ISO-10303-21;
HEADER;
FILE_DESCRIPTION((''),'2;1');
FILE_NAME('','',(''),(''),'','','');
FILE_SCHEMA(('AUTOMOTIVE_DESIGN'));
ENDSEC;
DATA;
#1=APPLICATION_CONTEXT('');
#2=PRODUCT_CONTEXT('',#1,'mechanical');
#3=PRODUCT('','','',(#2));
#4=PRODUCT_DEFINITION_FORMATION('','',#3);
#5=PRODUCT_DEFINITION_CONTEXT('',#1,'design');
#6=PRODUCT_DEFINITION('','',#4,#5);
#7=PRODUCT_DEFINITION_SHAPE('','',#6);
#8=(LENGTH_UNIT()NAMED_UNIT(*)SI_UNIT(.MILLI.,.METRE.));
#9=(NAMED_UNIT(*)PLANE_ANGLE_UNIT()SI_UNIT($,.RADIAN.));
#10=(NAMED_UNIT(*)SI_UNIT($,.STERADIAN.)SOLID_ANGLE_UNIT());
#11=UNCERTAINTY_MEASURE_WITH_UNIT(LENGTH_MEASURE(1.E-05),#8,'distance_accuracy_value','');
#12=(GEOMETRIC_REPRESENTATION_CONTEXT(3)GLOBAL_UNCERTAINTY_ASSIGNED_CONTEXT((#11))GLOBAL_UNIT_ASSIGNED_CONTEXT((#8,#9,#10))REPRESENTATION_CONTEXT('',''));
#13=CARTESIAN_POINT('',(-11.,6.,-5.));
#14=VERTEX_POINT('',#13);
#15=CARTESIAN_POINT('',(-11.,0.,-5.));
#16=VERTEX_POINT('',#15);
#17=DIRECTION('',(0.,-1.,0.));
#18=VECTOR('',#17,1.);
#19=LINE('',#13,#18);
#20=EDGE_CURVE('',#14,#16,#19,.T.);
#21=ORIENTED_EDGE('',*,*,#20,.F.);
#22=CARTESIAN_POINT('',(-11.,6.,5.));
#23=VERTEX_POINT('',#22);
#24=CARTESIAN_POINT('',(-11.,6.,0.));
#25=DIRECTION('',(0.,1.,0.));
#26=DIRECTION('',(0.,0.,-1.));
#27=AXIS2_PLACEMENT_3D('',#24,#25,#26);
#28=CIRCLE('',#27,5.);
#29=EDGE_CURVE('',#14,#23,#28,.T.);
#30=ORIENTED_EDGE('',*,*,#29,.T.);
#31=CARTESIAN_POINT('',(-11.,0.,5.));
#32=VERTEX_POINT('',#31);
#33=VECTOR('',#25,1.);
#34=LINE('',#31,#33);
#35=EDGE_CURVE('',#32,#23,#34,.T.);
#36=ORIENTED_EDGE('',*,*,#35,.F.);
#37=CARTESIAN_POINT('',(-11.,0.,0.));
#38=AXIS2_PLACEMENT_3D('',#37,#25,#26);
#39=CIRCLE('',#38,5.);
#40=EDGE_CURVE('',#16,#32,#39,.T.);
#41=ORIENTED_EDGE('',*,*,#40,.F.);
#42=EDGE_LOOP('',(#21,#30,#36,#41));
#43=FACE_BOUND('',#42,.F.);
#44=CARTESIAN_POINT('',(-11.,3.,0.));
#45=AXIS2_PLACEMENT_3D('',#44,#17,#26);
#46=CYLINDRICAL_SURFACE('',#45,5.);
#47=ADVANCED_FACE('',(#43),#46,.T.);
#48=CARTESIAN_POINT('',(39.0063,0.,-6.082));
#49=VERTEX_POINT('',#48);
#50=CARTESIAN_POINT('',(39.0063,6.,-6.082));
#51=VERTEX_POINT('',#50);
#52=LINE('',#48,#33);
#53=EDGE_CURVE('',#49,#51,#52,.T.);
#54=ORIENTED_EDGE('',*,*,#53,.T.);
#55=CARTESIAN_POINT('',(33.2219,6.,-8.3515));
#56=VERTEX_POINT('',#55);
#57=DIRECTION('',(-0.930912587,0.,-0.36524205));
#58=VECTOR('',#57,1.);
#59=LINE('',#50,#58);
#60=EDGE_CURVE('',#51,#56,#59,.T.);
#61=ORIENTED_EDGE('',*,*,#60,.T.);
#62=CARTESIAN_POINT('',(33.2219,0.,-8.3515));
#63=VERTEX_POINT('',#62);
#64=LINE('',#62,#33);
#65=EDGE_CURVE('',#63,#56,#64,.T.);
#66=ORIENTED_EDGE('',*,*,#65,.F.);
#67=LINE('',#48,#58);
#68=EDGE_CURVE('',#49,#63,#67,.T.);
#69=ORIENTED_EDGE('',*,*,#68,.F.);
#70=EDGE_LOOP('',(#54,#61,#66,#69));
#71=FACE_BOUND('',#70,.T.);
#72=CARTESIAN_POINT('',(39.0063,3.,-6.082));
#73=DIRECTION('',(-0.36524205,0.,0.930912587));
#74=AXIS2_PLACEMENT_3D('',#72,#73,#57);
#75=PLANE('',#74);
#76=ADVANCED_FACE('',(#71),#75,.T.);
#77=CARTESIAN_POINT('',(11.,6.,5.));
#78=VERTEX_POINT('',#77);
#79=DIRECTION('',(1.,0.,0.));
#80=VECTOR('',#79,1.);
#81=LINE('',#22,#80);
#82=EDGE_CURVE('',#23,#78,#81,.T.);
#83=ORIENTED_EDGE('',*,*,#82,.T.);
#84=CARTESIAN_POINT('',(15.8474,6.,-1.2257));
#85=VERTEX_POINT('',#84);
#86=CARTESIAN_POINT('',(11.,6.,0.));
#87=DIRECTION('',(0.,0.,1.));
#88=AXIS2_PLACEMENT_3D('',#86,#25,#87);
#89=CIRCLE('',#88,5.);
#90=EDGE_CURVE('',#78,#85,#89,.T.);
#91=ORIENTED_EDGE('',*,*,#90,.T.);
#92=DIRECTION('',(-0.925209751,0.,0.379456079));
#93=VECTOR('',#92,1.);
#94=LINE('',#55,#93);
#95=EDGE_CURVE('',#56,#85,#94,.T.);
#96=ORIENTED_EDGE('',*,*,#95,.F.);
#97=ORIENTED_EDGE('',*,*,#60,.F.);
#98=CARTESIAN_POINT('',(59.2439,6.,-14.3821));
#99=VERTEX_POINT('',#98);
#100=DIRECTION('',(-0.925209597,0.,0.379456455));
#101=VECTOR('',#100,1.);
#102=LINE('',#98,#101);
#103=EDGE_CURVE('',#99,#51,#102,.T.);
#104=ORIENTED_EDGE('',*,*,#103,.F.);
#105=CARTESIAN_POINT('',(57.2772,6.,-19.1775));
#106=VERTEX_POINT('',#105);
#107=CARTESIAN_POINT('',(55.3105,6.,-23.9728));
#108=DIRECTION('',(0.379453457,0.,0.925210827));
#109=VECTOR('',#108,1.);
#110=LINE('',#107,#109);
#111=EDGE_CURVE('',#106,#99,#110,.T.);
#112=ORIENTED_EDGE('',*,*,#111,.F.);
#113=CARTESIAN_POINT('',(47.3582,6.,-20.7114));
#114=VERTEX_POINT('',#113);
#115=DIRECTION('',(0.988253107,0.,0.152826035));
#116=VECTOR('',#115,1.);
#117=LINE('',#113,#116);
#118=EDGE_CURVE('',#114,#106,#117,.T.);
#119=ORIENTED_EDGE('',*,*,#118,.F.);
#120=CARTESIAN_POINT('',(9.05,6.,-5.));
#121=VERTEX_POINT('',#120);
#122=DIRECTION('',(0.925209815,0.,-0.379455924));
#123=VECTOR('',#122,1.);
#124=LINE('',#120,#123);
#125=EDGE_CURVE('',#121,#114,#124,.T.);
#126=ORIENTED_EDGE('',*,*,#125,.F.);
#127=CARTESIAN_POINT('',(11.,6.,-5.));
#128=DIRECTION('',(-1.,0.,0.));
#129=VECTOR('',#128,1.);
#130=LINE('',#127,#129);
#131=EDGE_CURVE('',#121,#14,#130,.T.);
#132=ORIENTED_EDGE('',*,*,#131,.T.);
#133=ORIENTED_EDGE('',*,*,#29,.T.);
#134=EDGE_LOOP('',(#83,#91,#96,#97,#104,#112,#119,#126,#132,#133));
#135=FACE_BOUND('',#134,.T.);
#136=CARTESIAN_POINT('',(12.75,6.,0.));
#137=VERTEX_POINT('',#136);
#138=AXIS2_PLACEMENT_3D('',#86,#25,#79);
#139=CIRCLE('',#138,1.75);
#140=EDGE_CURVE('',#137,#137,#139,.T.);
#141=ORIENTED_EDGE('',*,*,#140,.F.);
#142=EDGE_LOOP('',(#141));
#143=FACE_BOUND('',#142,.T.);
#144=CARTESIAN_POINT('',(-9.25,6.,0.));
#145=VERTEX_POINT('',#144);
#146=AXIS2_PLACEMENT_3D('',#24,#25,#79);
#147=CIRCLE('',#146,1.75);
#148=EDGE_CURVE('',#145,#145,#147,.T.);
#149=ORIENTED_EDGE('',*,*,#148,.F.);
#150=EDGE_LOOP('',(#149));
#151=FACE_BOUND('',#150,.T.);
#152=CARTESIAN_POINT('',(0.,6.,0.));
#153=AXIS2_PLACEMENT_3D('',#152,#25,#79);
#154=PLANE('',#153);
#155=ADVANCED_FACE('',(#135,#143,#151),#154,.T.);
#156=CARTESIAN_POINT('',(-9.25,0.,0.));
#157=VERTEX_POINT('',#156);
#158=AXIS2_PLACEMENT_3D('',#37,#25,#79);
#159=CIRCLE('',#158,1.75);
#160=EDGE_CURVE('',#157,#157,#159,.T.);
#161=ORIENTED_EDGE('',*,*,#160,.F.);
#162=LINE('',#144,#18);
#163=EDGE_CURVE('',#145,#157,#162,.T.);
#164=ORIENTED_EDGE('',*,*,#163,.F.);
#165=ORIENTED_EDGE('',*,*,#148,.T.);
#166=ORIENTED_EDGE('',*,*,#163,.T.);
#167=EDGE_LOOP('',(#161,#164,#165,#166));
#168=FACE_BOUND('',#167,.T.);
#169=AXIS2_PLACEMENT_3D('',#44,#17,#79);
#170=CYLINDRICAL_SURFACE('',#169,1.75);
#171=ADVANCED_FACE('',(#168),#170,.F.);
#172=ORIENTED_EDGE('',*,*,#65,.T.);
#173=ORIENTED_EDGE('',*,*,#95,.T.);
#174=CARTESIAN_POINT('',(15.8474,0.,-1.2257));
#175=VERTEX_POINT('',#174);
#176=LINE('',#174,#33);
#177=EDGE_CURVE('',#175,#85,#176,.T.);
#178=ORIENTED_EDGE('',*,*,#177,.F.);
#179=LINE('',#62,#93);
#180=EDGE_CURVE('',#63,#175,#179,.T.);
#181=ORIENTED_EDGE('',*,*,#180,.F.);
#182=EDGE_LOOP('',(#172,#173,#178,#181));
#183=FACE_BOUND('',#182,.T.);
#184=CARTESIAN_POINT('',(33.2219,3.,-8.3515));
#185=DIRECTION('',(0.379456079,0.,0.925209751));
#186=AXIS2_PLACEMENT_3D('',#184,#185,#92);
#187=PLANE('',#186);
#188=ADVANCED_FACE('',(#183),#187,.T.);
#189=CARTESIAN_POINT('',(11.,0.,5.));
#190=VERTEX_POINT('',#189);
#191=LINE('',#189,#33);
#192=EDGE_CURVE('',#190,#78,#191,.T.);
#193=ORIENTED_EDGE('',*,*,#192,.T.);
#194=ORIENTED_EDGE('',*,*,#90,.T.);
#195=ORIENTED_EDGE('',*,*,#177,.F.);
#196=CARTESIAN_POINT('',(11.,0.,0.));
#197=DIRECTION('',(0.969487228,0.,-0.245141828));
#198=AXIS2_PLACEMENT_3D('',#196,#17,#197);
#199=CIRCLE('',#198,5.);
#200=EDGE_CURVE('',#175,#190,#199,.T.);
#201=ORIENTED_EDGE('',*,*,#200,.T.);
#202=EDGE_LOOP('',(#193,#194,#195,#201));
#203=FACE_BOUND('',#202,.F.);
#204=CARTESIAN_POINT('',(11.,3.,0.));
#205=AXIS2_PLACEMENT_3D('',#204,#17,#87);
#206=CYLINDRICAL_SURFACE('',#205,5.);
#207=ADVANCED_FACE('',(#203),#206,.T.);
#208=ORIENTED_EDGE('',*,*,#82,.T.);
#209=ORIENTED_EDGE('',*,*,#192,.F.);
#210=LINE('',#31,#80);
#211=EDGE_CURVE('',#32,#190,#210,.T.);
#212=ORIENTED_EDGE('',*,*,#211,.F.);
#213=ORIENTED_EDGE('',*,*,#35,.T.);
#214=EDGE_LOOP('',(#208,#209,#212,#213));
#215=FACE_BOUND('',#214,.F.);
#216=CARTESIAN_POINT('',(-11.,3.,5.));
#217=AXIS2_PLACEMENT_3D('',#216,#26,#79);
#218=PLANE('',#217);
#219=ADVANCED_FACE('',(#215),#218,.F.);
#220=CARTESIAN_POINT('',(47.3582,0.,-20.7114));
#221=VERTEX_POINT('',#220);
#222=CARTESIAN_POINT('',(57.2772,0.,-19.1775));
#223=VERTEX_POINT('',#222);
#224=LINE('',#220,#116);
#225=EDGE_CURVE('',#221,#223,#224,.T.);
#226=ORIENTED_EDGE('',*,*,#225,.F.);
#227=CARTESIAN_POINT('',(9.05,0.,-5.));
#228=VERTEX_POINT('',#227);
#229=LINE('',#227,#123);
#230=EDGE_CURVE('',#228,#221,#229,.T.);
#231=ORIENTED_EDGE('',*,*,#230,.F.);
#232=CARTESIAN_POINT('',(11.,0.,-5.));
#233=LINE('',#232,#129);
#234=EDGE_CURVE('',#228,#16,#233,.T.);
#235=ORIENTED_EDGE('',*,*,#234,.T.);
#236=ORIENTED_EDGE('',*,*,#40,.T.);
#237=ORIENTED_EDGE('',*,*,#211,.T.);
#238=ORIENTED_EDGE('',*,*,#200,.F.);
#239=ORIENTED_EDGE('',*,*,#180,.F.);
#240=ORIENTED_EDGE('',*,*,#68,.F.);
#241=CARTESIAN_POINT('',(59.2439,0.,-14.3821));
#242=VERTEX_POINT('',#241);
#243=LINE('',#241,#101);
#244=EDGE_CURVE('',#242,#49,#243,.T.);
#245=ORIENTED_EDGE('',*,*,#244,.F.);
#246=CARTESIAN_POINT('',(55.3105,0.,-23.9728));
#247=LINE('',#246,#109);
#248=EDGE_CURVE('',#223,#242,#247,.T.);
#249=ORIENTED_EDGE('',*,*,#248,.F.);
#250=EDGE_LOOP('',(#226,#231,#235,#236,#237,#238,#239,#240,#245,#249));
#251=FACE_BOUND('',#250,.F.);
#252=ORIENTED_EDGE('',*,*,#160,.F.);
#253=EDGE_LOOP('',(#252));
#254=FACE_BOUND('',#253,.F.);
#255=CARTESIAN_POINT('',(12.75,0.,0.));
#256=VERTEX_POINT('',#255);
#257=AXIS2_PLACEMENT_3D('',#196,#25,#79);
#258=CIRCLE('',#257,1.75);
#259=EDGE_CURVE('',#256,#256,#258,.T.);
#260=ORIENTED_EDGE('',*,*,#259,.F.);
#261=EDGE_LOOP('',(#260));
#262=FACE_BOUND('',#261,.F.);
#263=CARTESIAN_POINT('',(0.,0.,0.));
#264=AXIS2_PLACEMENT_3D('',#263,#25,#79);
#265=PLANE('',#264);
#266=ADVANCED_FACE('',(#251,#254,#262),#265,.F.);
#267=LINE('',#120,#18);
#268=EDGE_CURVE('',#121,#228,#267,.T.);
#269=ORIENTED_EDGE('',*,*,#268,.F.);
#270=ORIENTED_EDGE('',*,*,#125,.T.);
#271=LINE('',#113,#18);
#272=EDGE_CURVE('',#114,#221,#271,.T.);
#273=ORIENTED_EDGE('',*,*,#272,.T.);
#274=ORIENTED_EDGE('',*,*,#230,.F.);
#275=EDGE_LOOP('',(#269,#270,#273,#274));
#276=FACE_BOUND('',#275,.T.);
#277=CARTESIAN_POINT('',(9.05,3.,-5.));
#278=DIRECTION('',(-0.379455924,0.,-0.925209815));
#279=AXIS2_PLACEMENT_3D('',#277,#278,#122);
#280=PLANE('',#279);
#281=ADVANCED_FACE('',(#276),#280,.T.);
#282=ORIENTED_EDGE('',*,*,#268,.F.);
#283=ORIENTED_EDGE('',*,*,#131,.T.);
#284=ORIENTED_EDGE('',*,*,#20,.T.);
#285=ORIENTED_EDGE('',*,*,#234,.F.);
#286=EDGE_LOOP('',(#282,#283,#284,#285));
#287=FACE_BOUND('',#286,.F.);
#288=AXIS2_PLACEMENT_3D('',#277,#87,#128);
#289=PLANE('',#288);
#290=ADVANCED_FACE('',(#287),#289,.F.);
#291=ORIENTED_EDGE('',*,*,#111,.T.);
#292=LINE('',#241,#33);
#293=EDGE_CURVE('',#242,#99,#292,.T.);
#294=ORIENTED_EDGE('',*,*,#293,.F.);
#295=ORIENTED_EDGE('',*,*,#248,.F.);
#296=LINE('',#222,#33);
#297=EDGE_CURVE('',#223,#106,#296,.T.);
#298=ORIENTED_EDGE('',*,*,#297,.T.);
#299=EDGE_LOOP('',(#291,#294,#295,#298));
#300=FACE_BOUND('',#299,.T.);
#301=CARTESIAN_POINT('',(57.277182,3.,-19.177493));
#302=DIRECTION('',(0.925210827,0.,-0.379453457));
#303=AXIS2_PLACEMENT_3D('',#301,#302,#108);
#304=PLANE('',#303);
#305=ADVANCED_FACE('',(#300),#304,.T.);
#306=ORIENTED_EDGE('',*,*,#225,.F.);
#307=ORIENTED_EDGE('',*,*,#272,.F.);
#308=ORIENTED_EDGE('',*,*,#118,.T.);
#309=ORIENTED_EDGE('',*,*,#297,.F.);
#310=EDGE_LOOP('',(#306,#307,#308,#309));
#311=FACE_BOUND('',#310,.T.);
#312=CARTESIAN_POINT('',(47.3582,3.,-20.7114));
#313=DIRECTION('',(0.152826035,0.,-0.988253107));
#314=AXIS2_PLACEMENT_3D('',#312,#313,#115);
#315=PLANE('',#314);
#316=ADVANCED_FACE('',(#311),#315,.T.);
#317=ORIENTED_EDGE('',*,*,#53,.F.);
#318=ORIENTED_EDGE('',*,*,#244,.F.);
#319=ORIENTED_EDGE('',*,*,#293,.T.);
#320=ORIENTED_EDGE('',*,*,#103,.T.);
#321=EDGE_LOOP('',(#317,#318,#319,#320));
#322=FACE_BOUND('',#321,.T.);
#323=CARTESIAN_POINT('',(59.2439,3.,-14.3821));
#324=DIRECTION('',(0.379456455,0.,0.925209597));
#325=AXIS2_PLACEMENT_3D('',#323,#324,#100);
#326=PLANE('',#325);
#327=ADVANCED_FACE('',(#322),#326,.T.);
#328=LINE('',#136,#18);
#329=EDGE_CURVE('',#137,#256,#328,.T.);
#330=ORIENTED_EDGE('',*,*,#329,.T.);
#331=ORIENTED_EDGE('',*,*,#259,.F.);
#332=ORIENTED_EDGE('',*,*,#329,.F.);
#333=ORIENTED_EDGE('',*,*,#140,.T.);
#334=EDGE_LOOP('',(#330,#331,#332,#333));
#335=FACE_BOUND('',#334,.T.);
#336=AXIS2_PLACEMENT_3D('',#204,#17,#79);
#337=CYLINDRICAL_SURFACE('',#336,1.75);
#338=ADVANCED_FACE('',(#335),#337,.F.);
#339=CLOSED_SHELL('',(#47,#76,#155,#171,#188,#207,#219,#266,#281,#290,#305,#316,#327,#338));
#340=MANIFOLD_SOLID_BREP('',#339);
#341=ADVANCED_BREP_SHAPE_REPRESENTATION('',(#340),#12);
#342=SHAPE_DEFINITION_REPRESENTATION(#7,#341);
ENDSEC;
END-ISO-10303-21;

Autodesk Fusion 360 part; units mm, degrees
sketch "Sketch1" plane through (0, 0, 0) normal (0, 1, 0) x (1, 0, 0)
  line L0 (-11, -5) -> (11, -5)
  arc A0 (11, -5) -> (11, 5) centre (11, 0) ccw
  line L1 (11, 5) -> (-11, 5)
  arc A1 (-11, 5) -> (-11, -5) centre (-11, 0) ccw
  line L2 (-11, 0) -> (11, 0) construction
  circle A2 centre (-11, 0) radius 1.75
  circle A3 centre (11, 0) radius 1.75
  line L3 (9.05, 5) -> (55.3105, 23.9728)
  line L4 (55.3105, 23.9728) -> (59.2439, 14.3821)
  line L5 (59.2439, 14.3821) -> (11.9855, -5)
  line L6 (47.3582, 20.7114) -> (57.2772, 19.1775)
  line L7 (39.0063, 6.082) -> (33.2219, 8.3515)
  line L8 (33.2219, 8.3515) -> (15.8474, 1.2257)
  dimension "d1" = 22
  dimension "d2" = 5
  dimension "d3" = 3.5
  dimension "d4" = 3.5
  dimension "d5" = 157.7
  dimension "d6" = 50
  dimension "d7" = 1.95
extrude "Extrude1" add sketch "Sketch1" along normal blind 3 contours L0 A0 L1 A1 | A0 L1 L3 L4 L5 L6 L7 L8
extrude "Extrude2" add 1 faces at (48.5362, 3, -13.7252) along direction (0, 1, 0) blind 3
